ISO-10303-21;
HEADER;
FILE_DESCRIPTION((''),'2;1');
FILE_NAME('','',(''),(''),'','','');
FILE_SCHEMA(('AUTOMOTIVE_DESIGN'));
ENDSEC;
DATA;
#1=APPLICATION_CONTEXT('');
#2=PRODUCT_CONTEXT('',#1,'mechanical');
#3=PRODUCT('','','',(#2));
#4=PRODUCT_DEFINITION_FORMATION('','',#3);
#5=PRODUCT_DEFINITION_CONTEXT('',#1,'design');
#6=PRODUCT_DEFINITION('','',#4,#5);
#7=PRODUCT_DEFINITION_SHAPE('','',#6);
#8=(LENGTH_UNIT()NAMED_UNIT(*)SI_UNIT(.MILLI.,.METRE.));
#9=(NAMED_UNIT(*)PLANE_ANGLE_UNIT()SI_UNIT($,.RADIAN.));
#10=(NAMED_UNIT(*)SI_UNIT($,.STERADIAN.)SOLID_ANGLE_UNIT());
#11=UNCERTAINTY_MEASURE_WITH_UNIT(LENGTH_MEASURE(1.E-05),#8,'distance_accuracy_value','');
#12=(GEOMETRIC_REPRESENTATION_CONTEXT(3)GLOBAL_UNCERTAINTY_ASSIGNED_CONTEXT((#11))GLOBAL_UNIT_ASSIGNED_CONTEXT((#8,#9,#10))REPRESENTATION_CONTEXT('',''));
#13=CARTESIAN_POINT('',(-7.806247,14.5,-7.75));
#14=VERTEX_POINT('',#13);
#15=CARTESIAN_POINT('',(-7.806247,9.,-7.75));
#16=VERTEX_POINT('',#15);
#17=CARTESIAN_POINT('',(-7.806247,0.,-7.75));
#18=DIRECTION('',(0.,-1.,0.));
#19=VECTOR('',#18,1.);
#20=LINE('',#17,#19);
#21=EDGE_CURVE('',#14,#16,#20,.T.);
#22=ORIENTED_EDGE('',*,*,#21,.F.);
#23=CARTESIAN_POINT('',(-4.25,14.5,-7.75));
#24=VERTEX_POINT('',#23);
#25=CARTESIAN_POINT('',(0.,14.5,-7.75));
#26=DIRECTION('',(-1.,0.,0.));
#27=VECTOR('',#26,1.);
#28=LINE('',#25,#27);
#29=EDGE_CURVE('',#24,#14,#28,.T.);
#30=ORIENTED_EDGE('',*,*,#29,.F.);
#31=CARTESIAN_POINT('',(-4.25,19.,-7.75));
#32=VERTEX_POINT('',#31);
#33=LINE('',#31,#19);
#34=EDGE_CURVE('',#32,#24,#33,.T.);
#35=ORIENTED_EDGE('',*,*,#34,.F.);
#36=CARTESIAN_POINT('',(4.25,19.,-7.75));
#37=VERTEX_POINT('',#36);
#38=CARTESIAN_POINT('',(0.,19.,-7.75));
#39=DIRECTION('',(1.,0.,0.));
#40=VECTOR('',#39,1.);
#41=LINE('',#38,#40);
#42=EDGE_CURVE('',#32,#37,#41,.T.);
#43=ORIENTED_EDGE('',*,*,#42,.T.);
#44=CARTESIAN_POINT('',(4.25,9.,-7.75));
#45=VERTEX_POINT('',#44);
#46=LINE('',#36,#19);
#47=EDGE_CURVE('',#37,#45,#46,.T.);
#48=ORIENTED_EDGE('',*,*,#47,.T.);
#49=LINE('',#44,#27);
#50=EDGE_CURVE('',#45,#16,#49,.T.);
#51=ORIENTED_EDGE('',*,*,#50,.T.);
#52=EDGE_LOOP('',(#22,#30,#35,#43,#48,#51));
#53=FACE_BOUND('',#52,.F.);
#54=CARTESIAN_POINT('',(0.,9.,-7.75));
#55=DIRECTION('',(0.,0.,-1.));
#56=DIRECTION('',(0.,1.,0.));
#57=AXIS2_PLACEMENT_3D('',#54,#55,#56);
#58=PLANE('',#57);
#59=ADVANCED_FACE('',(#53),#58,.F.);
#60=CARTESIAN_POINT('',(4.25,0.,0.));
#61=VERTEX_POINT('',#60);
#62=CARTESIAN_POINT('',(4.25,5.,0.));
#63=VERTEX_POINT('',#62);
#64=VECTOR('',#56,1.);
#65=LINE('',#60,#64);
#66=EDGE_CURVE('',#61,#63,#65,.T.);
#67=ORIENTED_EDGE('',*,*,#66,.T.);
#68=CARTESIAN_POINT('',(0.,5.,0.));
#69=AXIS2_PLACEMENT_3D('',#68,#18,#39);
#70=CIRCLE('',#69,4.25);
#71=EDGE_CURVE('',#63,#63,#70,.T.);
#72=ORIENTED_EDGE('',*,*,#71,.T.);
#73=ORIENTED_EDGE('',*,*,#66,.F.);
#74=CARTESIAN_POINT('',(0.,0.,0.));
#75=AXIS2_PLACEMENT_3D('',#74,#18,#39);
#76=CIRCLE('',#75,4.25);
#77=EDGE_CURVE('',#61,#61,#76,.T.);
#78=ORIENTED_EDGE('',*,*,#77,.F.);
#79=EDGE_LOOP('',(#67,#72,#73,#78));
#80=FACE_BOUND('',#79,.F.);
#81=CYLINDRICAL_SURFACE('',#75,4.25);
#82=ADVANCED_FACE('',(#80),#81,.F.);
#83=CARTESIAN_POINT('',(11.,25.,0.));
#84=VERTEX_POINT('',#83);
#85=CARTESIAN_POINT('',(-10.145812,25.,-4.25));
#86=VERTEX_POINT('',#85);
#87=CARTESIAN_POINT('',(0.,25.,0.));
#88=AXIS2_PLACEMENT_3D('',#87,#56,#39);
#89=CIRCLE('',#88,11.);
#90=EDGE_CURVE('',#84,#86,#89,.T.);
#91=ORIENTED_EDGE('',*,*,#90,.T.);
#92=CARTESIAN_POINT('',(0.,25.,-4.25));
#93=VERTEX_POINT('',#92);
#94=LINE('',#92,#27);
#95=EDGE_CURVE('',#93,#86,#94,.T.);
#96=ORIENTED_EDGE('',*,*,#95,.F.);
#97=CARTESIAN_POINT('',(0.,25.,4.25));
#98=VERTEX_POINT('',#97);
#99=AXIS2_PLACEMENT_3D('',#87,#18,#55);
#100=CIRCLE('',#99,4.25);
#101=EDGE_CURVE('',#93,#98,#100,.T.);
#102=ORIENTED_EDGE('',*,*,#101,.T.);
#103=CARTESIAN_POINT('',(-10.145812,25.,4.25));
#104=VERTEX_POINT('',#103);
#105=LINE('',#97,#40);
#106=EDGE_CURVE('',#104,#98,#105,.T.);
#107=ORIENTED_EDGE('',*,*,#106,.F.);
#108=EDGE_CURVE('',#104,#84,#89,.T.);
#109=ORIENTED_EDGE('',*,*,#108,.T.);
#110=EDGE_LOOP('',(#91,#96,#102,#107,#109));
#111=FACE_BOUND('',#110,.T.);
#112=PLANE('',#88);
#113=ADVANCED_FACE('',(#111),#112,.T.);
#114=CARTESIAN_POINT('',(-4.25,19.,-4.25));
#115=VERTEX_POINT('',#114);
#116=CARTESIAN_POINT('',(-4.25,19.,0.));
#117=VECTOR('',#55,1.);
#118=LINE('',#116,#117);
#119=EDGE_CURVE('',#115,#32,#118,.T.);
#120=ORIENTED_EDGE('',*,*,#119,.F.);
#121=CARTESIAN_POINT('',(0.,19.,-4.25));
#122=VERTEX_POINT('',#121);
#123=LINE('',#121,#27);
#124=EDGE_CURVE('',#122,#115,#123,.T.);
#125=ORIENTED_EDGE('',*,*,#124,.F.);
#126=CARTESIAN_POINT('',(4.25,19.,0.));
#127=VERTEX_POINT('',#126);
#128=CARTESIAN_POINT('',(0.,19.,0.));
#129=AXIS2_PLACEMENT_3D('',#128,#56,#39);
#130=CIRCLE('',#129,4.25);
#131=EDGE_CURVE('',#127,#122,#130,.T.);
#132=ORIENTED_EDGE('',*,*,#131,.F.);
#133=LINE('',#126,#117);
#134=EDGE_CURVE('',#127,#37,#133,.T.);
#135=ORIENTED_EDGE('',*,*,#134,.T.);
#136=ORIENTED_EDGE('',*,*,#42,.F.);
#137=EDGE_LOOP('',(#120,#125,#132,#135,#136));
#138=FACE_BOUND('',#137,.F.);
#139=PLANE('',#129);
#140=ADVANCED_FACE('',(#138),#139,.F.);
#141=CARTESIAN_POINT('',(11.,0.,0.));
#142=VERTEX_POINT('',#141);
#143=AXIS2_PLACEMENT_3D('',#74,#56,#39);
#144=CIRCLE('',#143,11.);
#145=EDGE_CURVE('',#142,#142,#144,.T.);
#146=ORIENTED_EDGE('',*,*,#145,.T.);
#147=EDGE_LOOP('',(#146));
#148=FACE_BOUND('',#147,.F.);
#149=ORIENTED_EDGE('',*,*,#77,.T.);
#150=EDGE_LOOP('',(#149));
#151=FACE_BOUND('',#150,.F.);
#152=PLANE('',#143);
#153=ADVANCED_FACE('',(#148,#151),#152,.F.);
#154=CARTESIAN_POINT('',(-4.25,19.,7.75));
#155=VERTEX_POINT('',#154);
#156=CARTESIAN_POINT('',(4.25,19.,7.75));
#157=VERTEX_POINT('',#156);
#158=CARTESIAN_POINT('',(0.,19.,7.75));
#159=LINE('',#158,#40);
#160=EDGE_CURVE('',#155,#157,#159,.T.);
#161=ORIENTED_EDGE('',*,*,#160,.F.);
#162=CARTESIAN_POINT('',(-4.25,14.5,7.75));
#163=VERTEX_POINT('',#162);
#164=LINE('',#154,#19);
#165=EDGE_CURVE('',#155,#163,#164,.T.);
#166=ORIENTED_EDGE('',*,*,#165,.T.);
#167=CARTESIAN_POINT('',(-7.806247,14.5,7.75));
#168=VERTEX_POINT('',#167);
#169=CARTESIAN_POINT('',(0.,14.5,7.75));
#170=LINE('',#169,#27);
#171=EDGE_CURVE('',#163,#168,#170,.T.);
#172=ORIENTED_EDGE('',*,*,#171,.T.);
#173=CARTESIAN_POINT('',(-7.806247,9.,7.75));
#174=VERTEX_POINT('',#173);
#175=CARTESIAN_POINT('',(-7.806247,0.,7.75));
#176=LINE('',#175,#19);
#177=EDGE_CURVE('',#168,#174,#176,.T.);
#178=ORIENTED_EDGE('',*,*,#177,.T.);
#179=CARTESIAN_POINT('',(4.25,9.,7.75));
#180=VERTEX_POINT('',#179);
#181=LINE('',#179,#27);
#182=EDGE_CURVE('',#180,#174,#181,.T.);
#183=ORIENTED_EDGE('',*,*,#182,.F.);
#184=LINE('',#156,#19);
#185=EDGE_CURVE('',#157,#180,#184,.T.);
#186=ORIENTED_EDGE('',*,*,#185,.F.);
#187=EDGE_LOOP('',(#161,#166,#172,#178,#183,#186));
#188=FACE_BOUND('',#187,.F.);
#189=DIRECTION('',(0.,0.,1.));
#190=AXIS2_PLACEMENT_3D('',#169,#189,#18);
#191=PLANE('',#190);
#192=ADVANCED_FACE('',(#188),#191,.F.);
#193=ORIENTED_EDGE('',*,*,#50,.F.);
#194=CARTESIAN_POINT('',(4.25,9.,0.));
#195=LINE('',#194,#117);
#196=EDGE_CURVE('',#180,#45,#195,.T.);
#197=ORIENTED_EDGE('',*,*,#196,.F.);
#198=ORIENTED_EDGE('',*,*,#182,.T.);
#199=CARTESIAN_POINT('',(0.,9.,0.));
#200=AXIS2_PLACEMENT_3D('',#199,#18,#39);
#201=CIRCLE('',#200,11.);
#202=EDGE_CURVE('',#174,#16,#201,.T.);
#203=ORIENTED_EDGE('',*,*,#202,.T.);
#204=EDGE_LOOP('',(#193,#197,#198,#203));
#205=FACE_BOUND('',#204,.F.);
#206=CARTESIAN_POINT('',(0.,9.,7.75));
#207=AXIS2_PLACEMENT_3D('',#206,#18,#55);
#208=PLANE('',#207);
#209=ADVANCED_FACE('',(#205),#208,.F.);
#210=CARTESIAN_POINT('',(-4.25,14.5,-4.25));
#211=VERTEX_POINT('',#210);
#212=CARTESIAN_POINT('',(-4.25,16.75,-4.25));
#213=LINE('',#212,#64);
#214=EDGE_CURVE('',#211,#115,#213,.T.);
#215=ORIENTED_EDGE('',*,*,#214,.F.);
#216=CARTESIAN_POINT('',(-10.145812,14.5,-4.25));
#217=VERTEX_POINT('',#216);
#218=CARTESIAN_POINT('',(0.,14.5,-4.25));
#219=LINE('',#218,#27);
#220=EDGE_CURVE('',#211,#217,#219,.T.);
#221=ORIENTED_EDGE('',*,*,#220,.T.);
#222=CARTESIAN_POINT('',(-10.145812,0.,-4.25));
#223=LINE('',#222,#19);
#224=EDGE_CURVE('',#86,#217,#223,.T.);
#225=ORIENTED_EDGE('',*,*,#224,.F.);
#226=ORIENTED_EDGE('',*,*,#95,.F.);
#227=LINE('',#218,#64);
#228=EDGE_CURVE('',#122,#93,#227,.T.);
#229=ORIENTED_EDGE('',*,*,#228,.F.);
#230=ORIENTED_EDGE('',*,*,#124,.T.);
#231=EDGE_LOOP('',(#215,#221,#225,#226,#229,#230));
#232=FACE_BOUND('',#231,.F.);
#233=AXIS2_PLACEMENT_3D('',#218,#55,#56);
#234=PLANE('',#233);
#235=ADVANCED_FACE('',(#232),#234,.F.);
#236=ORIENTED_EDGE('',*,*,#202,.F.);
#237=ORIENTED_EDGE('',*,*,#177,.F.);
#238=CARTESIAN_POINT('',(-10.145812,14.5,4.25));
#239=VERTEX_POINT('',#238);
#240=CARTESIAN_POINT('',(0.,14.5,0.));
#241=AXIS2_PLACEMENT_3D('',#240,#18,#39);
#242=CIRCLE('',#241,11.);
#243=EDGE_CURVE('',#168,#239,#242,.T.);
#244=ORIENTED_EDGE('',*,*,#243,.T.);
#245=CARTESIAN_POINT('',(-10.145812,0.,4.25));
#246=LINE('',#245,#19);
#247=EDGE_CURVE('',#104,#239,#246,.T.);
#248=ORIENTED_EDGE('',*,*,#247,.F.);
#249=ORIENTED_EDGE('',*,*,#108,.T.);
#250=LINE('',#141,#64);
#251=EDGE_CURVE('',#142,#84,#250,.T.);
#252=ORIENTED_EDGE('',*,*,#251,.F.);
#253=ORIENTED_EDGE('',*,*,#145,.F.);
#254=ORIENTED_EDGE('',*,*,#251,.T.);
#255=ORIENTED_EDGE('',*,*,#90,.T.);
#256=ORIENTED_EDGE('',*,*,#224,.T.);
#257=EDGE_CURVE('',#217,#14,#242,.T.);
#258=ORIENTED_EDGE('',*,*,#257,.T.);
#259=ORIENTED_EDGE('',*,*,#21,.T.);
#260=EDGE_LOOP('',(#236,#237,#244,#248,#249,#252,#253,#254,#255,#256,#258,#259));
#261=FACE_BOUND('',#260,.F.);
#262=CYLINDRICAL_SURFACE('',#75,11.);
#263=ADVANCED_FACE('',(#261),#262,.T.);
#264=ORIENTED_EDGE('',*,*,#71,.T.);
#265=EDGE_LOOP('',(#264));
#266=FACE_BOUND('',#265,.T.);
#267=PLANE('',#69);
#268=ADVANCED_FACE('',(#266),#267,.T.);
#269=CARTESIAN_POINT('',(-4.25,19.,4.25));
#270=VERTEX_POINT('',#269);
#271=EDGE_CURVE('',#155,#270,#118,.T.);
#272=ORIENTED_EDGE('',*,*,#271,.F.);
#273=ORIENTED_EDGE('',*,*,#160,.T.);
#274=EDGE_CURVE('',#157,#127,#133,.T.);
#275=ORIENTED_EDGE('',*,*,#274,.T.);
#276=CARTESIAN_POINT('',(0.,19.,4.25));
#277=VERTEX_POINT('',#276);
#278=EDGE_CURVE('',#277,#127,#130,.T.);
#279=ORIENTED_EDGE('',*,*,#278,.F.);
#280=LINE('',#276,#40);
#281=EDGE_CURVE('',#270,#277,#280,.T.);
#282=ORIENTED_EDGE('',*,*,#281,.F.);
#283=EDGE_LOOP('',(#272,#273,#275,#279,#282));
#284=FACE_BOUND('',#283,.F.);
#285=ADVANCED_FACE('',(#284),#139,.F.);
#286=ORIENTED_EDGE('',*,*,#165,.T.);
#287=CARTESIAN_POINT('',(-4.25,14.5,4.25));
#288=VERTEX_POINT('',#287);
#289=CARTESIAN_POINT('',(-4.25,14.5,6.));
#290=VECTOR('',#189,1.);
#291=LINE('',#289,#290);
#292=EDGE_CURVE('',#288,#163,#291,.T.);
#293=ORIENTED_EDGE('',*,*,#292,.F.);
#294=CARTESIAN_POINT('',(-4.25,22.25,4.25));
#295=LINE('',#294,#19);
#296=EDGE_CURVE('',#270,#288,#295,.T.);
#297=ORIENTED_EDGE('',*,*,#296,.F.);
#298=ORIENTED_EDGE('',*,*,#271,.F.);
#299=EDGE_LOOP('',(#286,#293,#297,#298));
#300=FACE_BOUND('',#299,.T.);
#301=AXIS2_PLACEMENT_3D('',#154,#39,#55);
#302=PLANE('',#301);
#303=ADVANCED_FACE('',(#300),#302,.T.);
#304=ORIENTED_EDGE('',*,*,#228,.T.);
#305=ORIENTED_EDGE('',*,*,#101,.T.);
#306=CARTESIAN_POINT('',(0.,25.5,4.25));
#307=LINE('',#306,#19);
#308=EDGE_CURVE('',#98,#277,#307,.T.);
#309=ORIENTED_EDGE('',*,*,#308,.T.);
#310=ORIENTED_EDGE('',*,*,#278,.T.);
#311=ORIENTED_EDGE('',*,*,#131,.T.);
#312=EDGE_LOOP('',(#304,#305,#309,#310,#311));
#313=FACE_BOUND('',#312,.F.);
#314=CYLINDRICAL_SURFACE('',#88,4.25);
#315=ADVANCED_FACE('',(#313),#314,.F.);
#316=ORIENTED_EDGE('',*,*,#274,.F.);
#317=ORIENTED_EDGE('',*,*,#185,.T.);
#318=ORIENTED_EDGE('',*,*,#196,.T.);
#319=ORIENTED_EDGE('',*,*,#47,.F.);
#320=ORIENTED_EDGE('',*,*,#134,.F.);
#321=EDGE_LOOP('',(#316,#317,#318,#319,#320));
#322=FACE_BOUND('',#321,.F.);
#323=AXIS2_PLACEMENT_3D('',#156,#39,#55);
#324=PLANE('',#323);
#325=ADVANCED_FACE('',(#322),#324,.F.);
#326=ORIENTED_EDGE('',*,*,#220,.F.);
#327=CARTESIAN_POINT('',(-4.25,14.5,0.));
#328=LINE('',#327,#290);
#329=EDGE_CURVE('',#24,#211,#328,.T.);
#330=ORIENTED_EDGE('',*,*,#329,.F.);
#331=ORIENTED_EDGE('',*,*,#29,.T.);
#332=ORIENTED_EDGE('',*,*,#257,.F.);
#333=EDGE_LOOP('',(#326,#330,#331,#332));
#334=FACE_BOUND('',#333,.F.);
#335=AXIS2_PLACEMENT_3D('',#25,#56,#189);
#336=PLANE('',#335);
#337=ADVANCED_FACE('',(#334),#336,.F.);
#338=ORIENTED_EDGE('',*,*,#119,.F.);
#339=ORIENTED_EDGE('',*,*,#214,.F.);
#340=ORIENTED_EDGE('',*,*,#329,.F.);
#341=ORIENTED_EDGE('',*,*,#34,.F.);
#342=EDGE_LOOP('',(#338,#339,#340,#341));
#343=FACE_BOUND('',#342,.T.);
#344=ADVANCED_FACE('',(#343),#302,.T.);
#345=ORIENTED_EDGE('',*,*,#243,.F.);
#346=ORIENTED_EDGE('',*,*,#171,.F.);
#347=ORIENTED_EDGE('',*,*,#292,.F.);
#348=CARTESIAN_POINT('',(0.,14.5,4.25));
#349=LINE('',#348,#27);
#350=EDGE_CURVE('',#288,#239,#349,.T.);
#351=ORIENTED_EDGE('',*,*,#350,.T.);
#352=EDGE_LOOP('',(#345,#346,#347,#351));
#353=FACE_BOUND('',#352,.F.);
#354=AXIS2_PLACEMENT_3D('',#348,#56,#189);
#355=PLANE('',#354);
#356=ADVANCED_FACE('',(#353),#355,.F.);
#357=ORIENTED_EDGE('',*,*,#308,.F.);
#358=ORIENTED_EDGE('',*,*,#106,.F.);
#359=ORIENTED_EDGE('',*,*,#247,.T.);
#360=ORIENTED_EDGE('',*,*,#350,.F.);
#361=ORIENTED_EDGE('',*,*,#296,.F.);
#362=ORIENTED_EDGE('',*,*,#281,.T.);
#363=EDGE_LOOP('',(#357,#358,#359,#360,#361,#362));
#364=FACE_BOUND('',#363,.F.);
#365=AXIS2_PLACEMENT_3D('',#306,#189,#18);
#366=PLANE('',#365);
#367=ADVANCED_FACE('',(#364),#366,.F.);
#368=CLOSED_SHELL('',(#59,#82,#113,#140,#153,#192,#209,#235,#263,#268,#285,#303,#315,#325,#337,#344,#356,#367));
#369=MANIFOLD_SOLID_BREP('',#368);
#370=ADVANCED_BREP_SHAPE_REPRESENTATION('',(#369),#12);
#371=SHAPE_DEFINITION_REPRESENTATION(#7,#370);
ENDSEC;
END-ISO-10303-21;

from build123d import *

# Parameters (mm, degrees)
CROQUIS1_R              = 11
SALIENTE_EXTRUIR1_DEPTH = 25
CROQUIS2_R              = 4.25
CORTAR_EXTRUIR1_DEPTH   = 5
CROQUIS3_R              = 4.25
CORTAR_EXTRUIR2_DEPTH   = 6
CROQUIS5_W              = 8.5
CROQUIS5_H              = 15.5
CORTAR_EXTRUIR8_DEPTH   = 10
CORTAR_EXTRUIR16_DEPTH  = 12


with BuildPart() as part:
    # Croquis1 → Saliente-Extruir1 (new body)
    with BuildSketch(Plane(origin=(0, 0, 0), x_dir=(1, 0, 0), z_dir=(0, 1, 0))):
        Circle(CROQUIS1_R)
    extrude(amount=SALIENTE_EXTRUIR1_DEPTH)

    # Croquis2 → Cortar-Extruir1 (cut)
    with BuildSketch(Plane.XZ):
        Circle(CROQUIS2_R)
    extrude(amount=-CORTAR_EXTRUIR1_DEPTH, mode=Mode.SUBTRACT)

    # Croquis3 → Cortar-Extruir2 (cut)
    with BuildSketch(Plane(origin=(0, 25, 0), x_dir=(1, 0, 0), z_dir=(0, 1, 0))):
        Circle(CROQUIS3_R)
    extrude(amount=-CORTAR_EXTRUIR2_DEPTH, mode=Mode.SUBTRACT)

    # Croquis5 → Cortar-Extruir8 (cut)
    with BuildSketch(Plane(origin=(0, 19, 0), x_dir=(1, 0, 0), z_dir=(0, 1, 0))):
        Rectangle(CROQUIS5_W, CROQUIS5_H)
    extrude(amount=-CORTAR_EXTRUIR8_DEPTH, mode=Mode.SUBTRACT)

    # Croquis9 → Cortar-Extruir16 (cut, through all)
    with BuildSketch(Plane(origin=(0, 0, 0), x_dir=(0, 0, -1), z_dir=(1, 0, 0))):
        Polygon((-7.75, 9), (7.75, 9), (7.75, 14.5), (4.25, 14.5), (4.25, 25.5), (-4.25, 25.5), (-4.25, 14.5), (-7.75, 14.5), align=None)
    extrude(amount=-CORTAR_EXTRUIR16_DEPTH, mode=Mode.SUBTRACT)


solid = part.part
